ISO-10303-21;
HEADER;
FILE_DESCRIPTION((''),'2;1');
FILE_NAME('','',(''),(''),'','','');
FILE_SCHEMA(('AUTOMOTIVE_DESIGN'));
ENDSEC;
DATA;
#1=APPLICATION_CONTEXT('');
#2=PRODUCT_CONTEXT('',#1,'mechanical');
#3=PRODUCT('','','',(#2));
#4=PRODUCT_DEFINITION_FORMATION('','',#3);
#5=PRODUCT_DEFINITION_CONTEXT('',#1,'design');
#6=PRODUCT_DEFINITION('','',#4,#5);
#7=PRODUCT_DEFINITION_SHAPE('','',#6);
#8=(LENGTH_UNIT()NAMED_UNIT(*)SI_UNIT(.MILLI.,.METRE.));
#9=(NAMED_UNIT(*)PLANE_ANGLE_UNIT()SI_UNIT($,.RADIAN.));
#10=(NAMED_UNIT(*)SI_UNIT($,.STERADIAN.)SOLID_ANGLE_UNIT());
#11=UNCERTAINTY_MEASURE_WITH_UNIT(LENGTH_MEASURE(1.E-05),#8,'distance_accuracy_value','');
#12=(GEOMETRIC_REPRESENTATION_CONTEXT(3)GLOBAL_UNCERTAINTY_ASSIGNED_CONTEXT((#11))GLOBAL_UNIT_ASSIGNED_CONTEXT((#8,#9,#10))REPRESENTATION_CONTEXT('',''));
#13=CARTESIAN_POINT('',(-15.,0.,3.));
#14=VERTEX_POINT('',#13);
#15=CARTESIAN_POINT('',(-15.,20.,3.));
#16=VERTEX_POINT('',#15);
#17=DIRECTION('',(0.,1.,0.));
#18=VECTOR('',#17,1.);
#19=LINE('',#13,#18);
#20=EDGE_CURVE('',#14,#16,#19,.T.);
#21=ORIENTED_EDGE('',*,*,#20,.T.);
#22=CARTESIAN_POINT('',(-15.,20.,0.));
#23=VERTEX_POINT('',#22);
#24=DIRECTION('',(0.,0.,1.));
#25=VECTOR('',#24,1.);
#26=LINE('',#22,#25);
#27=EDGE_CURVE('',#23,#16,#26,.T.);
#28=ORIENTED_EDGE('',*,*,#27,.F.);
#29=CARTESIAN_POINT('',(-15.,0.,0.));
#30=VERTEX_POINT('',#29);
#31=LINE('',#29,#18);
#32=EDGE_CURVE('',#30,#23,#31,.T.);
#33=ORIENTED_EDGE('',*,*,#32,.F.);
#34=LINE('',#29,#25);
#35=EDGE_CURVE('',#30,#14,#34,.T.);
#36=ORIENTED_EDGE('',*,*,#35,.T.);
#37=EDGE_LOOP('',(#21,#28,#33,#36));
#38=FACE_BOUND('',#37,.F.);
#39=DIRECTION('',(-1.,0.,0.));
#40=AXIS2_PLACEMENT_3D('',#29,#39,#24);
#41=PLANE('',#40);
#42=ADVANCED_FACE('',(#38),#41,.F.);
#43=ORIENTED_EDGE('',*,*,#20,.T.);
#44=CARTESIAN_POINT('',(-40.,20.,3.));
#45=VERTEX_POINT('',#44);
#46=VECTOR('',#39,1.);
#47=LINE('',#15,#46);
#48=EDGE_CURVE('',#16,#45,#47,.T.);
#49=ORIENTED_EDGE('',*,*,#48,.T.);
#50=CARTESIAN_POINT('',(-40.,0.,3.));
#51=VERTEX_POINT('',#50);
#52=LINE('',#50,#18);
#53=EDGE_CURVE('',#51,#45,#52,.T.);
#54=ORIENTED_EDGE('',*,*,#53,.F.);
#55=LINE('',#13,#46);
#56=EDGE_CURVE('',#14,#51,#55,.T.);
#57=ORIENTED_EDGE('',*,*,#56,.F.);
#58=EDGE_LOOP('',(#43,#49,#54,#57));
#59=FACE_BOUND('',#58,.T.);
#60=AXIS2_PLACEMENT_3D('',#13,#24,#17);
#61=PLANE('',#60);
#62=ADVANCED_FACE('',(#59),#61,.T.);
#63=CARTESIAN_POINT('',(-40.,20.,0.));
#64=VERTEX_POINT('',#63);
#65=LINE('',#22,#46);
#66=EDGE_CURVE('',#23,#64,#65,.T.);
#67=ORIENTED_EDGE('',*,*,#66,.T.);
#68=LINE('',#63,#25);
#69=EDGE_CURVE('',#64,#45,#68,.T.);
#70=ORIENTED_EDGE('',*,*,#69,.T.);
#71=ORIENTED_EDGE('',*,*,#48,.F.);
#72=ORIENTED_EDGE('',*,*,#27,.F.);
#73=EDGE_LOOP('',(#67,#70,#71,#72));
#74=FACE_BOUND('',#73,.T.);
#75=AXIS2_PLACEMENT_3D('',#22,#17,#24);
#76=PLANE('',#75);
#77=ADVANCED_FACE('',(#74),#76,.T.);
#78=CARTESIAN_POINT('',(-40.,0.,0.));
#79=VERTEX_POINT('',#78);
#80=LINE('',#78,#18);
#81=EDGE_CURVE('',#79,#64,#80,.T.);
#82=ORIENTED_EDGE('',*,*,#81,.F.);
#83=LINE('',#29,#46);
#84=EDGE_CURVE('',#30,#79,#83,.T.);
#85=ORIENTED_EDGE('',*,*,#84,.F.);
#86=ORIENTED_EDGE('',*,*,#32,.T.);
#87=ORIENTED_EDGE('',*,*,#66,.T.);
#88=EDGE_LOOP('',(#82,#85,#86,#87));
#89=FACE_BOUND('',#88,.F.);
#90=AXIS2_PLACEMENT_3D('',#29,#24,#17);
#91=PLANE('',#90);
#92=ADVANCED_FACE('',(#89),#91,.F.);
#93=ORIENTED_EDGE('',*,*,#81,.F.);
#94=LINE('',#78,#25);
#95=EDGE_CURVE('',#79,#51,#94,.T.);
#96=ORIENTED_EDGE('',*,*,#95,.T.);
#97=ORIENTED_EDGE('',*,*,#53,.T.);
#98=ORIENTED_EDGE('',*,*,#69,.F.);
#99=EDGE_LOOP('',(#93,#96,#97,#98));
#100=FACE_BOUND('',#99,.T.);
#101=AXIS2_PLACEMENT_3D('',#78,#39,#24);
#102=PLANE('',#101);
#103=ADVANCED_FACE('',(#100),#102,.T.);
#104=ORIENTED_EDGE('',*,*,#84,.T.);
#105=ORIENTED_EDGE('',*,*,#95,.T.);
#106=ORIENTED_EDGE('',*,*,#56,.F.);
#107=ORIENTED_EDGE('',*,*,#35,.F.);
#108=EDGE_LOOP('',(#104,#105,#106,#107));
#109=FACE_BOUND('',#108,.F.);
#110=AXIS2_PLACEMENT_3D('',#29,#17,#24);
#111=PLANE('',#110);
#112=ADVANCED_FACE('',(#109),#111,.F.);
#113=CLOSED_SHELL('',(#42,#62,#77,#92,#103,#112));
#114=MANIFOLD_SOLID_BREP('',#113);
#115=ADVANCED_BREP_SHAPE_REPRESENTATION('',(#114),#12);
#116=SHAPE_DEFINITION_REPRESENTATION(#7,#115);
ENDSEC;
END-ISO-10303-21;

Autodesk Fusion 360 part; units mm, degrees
box "BoxPrimitive1" add length 20 width 25 height 3 placed x (0, 1, 0) y (-1, 0, 0) z (0, 0, 1) at (-15, 0, 0)
